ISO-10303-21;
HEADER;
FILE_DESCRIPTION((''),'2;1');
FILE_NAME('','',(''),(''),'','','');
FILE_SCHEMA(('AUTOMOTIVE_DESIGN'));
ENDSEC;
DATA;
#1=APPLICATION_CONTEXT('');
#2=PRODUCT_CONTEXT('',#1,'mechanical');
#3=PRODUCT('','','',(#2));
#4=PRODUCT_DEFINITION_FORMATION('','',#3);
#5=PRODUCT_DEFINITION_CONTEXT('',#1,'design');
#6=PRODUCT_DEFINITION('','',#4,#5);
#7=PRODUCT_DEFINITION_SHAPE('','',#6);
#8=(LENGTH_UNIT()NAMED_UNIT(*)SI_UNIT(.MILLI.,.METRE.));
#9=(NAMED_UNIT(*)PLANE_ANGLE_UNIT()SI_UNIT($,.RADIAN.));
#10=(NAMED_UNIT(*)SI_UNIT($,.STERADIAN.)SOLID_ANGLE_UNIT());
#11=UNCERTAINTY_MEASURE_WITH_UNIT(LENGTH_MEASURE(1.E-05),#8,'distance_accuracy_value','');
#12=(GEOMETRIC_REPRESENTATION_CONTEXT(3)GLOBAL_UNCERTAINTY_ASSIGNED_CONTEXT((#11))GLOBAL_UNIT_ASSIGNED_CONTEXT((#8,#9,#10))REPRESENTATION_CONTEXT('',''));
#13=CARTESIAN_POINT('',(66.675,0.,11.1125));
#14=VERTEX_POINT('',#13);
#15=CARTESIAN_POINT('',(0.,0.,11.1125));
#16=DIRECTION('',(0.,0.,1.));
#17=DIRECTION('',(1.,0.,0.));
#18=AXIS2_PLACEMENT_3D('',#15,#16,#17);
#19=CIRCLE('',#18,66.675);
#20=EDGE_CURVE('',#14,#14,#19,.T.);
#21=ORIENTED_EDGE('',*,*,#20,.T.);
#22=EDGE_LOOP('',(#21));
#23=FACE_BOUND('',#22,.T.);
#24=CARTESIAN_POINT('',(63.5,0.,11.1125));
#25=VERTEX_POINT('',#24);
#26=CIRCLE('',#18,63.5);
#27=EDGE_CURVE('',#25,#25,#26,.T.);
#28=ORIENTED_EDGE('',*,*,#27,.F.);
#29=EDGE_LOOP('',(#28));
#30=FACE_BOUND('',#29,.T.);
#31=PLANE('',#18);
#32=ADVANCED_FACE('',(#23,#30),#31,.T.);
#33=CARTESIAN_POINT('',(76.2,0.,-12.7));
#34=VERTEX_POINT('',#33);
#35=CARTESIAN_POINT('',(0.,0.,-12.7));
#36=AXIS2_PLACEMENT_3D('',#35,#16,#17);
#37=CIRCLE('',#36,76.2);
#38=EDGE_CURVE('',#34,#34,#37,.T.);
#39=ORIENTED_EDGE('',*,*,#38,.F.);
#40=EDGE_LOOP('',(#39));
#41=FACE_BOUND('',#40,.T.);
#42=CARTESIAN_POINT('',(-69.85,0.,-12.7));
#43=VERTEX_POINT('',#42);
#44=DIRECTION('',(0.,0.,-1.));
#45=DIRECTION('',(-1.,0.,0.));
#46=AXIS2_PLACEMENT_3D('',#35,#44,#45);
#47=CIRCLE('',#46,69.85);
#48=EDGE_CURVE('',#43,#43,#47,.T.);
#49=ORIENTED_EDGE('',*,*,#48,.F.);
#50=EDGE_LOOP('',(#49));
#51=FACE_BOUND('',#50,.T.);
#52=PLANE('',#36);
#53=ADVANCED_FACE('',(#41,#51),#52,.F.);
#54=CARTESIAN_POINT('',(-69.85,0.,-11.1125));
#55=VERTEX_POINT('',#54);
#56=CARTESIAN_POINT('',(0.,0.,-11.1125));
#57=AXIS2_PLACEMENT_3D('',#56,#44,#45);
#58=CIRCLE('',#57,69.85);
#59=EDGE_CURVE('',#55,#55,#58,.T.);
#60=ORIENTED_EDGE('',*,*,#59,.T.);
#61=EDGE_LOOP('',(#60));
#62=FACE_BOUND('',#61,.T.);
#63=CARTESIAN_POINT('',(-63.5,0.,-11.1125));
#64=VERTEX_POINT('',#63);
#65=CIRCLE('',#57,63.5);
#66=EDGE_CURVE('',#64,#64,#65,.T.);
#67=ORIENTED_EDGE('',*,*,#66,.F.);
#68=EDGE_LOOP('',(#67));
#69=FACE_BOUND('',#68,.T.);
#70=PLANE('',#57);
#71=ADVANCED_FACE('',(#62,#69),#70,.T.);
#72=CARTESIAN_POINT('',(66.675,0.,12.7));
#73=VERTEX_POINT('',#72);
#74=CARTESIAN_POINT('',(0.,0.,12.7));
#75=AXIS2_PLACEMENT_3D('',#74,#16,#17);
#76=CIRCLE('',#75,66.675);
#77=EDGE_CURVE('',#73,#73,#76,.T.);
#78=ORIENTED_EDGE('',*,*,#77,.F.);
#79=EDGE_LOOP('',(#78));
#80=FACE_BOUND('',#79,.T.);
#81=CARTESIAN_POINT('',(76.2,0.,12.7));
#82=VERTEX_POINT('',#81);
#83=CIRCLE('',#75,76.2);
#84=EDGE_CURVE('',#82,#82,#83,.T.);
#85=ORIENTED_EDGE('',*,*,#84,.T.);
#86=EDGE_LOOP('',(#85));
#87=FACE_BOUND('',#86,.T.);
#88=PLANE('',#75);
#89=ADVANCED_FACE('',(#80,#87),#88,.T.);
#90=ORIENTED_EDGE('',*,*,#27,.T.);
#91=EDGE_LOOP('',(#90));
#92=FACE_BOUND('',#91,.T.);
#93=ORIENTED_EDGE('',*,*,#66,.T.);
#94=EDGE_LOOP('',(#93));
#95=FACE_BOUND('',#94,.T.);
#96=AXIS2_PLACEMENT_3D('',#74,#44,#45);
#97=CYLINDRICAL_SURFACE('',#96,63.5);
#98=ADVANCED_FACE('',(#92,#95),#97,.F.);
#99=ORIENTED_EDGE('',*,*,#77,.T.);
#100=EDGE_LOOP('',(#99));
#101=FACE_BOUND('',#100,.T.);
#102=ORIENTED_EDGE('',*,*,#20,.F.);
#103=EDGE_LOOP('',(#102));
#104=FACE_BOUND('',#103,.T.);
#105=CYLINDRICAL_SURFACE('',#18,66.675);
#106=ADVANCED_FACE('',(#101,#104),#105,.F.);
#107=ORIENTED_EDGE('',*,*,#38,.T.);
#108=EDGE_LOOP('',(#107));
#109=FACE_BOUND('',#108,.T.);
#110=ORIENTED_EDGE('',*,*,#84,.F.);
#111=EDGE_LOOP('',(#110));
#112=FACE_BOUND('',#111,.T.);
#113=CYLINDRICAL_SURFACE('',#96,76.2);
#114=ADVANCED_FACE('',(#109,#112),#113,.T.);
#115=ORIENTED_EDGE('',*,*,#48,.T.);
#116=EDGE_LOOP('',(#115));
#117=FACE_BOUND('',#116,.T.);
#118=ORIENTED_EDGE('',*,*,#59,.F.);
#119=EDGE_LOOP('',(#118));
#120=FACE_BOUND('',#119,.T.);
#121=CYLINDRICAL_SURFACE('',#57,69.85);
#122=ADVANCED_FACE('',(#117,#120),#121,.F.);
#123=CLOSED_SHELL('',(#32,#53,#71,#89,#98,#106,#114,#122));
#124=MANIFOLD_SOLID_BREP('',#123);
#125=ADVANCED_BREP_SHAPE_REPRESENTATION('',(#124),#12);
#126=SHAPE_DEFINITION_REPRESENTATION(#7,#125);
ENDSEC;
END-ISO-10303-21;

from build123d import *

# Parameters (mm, degrees)
SKETCH1_R           = 76.2
SKETCH1_R_2         = 63.5
BOSS_EXTRUDE1_DEPTH = 12.7
SKETCH2_R           = 66.675
CUT_EXTRUDE1_DEPTH  = 1.5875
SKETCH3_R           = 69.85
CUT_EXTRUDE2_DEPTH  = 1.5875


with BuildPart() as part:
    # Sketch1 → Boss-Extrude1 (new, symmetric)
    with BuildSketch(Plane.XY):
        Circle(SKETCH1_R)
        Circle(SKETCH1_R_2, mode=Mode.SUBTRACT)
    extrude(amount=BOSS_EXTRUDE1_DEPTH, both=True)

    # Sketch2 → Cut-Extrude1 (cut)
    with BuildSketch(Plane.XY.offset(12.7)):
        Circle(SKETCH2_R)
    extrude(amount=-CUT_EXTRUDE1_DEPTH, mode=Mode.SUBTRACT)

    # Sketch3 → Cut-Extrude2 (cut)
    with BuildSketch(Plane(origin=(0, 0, -12.7), x_dir=(-1, 0, 0), z_dir=(0, 0, -1))):
        Circle(SKETCH3_R)
    extrude(amount=-CUT_EXTRUDE2_DEPTH, mode=Mode.SUBTRACT)


solid = part.part
